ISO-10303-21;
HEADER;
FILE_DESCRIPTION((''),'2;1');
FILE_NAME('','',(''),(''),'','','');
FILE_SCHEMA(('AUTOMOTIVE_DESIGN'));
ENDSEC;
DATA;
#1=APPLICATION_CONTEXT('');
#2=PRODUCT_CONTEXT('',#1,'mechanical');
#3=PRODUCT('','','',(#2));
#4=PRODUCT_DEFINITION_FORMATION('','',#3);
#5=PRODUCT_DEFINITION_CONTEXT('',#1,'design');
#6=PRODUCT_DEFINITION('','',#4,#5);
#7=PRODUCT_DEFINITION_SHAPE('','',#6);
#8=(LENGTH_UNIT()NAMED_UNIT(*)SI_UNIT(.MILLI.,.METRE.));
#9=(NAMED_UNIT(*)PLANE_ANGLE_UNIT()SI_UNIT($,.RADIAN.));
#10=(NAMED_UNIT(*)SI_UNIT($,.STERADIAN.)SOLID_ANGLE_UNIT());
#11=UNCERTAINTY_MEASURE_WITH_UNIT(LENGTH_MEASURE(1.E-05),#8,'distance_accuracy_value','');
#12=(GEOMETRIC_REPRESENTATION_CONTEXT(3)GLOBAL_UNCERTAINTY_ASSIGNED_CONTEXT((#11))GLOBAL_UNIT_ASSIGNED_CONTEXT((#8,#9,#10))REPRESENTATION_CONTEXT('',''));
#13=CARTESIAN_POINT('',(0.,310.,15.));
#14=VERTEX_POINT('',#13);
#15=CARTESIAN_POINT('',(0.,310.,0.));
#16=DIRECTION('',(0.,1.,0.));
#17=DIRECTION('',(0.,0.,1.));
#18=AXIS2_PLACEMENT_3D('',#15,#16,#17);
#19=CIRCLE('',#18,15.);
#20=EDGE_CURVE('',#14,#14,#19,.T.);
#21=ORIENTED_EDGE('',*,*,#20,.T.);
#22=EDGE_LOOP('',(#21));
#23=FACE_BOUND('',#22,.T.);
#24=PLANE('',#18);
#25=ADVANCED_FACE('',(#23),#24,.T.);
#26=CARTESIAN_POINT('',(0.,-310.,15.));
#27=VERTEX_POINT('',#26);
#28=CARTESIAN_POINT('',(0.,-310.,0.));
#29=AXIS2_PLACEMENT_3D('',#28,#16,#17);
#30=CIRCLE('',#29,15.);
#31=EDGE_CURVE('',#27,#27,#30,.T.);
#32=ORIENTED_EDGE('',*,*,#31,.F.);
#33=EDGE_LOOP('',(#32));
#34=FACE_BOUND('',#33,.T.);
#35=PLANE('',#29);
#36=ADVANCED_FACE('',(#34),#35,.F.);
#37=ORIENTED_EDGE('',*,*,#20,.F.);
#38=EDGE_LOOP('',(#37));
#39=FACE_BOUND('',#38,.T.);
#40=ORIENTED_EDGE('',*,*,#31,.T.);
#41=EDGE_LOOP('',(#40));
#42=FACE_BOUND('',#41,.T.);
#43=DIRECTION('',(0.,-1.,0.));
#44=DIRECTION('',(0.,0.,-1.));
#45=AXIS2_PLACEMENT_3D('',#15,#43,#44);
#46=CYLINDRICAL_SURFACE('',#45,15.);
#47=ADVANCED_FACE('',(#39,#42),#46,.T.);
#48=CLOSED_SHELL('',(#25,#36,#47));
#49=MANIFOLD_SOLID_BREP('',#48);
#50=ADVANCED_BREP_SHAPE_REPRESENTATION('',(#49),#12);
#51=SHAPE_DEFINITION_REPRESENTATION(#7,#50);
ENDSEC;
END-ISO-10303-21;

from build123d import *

# Parameters (mm, degrees)
SKETCH_1_R      = 15
EXTRUDE_1_DEPTH = 310


with BuildPart() as part:
    # 草图1 → 凸台-拉伸1 (new, symmetric)
    with BuildSketch(Plane(origin=(0, 0, 0), x_dir=(1, 0, 0), z_dir=(0, 1, 0))):
        with Locations(Location((0, 0, 0), (0, 0, 270))):
            Circle(SKETCH_1_R)
    extrude(amount=EXTRUDE_1_DEPTH, both=True)


solid = part.part
